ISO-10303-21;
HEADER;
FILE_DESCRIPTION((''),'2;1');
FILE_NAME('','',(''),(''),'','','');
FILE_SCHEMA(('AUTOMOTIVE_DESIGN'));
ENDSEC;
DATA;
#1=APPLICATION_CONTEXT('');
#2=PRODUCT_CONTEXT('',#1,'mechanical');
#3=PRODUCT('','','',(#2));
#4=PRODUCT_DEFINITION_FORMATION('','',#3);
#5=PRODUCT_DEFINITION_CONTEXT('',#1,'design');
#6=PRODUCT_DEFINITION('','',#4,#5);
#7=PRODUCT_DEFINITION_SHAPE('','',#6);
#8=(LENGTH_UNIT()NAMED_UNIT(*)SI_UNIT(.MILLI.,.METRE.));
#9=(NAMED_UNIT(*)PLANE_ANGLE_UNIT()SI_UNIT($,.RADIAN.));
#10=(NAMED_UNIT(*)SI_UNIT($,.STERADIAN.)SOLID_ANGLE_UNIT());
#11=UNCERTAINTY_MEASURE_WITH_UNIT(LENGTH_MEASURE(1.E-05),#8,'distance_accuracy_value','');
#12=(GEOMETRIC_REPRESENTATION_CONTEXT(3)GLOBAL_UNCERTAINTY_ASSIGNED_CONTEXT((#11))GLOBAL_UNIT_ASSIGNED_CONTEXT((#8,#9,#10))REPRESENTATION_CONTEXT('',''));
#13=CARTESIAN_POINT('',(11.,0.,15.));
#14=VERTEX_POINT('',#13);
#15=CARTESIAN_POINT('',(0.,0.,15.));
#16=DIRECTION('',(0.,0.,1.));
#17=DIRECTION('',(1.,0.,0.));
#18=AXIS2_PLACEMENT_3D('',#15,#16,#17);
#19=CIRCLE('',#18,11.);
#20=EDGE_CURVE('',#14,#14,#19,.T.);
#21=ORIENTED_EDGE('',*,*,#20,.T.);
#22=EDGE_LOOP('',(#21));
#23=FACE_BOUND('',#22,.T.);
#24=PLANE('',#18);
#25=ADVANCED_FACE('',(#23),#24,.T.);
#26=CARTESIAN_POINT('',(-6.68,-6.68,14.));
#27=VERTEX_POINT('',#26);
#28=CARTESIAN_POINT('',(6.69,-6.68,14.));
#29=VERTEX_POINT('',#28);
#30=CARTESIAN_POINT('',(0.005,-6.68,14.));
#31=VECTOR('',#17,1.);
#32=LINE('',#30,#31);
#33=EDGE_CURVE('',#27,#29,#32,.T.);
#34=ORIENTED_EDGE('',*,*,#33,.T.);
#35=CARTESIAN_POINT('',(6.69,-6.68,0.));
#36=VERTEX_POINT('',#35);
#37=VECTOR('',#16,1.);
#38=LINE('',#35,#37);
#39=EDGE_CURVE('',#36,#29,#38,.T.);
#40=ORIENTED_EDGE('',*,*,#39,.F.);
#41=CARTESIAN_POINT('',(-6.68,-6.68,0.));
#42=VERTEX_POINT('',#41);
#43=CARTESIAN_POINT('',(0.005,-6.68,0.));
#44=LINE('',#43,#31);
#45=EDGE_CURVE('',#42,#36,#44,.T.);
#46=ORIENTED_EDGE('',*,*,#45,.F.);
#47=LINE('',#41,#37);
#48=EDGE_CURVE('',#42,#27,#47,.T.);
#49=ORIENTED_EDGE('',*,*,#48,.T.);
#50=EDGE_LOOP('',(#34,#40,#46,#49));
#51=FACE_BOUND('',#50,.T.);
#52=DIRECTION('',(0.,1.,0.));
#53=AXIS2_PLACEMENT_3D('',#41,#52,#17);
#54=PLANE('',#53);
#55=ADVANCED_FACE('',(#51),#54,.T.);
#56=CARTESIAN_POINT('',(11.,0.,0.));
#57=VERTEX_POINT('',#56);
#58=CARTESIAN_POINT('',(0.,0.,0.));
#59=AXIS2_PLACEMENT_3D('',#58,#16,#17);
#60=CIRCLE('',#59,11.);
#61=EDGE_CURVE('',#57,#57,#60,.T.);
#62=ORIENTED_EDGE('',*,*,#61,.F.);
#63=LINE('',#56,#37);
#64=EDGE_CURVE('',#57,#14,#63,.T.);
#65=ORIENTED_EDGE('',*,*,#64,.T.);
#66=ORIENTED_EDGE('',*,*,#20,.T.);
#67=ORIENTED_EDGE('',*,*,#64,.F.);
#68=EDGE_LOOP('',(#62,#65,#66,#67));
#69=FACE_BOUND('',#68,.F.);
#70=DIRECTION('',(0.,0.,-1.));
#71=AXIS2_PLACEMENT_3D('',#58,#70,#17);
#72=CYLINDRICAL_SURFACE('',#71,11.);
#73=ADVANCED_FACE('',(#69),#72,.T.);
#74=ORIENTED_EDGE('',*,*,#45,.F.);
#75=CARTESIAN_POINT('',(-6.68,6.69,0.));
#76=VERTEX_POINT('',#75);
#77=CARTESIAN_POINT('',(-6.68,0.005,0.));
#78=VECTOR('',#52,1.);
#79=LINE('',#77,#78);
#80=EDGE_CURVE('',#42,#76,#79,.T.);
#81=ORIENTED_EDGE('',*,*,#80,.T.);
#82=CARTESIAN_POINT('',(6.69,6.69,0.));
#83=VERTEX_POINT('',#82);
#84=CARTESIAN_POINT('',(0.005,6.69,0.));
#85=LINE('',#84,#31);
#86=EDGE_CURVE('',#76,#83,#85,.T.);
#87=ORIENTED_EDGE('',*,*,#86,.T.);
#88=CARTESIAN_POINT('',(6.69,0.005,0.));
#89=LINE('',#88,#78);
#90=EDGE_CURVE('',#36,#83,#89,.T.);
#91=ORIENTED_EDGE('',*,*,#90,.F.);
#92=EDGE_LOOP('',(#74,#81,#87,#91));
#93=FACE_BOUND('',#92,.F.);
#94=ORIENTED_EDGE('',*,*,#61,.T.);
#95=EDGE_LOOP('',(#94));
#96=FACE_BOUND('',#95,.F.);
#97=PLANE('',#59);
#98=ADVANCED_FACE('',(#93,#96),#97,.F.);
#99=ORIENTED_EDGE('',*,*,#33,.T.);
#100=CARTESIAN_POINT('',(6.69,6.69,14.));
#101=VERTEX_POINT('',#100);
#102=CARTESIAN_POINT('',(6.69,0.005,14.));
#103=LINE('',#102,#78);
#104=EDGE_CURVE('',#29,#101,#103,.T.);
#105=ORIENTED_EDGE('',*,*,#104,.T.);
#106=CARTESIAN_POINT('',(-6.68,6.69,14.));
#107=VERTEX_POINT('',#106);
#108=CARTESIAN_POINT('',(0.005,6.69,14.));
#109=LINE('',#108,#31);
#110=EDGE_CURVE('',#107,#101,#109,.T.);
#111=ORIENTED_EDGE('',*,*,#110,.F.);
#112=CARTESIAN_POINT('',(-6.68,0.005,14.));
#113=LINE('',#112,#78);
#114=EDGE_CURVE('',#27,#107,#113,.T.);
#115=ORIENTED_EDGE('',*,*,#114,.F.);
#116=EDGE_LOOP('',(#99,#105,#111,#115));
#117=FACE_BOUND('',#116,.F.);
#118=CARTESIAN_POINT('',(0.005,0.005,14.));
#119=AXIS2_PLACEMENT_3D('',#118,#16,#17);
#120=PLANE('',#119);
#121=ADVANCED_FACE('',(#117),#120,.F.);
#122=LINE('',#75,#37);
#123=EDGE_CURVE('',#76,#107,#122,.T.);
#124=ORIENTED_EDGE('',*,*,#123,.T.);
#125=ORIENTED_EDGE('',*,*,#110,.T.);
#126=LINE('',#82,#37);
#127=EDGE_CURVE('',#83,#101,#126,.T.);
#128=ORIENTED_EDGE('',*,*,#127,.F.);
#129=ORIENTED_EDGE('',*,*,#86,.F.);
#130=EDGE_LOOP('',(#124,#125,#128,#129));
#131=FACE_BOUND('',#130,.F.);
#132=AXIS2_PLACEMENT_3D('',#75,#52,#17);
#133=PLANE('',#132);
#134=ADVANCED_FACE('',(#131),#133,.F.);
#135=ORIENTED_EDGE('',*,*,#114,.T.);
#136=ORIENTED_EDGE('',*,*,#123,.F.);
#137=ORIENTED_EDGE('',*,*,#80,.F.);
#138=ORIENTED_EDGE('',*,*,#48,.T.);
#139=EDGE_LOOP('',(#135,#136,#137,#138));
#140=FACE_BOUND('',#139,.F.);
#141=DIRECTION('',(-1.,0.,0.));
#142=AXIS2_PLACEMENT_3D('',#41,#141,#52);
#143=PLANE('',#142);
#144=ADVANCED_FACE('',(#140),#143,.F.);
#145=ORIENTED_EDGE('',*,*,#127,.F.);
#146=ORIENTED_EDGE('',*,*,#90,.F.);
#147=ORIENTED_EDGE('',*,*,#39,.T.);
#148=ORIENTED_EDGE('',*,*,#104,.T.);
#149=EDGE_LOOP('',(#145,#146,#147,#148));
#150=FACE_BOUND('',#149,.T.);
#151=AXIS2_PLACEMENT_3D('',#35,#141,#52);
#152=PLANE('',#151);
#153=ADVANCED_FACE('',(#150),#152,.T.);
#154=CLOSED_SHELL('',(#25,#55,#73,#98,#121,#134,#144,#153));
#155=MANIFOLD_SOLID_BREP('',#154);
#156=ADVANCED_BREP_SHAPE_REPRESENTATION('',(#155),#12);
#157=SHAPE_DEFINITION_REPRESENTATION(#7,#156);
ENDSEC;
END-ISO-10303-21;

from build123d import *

# Parameters (mm, degrees)
BOX_W          = 13.37
BOX_H          = 13.37
BOX_DEPTH      = 14
CYLINDER_R     = 11
CYLINDER_DEPTH = 15


with BuildPart() as cube:
    # Box → Box (new body)
    with BuildSketch(Plane(origin=(-6.68, -6.68, 0), x_dir=(1, 0, 0), z_dir=(0, 0, 1))):
        with Locations((6.685, 6.685)):
            Rectangle(BOX_W, BOX_H)
    extrude(amount=BOX_DEPTH)


with BuildPart() as cut:
    # Cylinder → Cylinder (new body)
    with BuildSketch(Plane.XY):
        Circle(CYLINDER_R)
    extrude(amount=CYLINDER_DEPTH)

    # Cut: cut Cube
    add(cube.part, mode=Mode.SUBTRACT)


solid = cut.part
